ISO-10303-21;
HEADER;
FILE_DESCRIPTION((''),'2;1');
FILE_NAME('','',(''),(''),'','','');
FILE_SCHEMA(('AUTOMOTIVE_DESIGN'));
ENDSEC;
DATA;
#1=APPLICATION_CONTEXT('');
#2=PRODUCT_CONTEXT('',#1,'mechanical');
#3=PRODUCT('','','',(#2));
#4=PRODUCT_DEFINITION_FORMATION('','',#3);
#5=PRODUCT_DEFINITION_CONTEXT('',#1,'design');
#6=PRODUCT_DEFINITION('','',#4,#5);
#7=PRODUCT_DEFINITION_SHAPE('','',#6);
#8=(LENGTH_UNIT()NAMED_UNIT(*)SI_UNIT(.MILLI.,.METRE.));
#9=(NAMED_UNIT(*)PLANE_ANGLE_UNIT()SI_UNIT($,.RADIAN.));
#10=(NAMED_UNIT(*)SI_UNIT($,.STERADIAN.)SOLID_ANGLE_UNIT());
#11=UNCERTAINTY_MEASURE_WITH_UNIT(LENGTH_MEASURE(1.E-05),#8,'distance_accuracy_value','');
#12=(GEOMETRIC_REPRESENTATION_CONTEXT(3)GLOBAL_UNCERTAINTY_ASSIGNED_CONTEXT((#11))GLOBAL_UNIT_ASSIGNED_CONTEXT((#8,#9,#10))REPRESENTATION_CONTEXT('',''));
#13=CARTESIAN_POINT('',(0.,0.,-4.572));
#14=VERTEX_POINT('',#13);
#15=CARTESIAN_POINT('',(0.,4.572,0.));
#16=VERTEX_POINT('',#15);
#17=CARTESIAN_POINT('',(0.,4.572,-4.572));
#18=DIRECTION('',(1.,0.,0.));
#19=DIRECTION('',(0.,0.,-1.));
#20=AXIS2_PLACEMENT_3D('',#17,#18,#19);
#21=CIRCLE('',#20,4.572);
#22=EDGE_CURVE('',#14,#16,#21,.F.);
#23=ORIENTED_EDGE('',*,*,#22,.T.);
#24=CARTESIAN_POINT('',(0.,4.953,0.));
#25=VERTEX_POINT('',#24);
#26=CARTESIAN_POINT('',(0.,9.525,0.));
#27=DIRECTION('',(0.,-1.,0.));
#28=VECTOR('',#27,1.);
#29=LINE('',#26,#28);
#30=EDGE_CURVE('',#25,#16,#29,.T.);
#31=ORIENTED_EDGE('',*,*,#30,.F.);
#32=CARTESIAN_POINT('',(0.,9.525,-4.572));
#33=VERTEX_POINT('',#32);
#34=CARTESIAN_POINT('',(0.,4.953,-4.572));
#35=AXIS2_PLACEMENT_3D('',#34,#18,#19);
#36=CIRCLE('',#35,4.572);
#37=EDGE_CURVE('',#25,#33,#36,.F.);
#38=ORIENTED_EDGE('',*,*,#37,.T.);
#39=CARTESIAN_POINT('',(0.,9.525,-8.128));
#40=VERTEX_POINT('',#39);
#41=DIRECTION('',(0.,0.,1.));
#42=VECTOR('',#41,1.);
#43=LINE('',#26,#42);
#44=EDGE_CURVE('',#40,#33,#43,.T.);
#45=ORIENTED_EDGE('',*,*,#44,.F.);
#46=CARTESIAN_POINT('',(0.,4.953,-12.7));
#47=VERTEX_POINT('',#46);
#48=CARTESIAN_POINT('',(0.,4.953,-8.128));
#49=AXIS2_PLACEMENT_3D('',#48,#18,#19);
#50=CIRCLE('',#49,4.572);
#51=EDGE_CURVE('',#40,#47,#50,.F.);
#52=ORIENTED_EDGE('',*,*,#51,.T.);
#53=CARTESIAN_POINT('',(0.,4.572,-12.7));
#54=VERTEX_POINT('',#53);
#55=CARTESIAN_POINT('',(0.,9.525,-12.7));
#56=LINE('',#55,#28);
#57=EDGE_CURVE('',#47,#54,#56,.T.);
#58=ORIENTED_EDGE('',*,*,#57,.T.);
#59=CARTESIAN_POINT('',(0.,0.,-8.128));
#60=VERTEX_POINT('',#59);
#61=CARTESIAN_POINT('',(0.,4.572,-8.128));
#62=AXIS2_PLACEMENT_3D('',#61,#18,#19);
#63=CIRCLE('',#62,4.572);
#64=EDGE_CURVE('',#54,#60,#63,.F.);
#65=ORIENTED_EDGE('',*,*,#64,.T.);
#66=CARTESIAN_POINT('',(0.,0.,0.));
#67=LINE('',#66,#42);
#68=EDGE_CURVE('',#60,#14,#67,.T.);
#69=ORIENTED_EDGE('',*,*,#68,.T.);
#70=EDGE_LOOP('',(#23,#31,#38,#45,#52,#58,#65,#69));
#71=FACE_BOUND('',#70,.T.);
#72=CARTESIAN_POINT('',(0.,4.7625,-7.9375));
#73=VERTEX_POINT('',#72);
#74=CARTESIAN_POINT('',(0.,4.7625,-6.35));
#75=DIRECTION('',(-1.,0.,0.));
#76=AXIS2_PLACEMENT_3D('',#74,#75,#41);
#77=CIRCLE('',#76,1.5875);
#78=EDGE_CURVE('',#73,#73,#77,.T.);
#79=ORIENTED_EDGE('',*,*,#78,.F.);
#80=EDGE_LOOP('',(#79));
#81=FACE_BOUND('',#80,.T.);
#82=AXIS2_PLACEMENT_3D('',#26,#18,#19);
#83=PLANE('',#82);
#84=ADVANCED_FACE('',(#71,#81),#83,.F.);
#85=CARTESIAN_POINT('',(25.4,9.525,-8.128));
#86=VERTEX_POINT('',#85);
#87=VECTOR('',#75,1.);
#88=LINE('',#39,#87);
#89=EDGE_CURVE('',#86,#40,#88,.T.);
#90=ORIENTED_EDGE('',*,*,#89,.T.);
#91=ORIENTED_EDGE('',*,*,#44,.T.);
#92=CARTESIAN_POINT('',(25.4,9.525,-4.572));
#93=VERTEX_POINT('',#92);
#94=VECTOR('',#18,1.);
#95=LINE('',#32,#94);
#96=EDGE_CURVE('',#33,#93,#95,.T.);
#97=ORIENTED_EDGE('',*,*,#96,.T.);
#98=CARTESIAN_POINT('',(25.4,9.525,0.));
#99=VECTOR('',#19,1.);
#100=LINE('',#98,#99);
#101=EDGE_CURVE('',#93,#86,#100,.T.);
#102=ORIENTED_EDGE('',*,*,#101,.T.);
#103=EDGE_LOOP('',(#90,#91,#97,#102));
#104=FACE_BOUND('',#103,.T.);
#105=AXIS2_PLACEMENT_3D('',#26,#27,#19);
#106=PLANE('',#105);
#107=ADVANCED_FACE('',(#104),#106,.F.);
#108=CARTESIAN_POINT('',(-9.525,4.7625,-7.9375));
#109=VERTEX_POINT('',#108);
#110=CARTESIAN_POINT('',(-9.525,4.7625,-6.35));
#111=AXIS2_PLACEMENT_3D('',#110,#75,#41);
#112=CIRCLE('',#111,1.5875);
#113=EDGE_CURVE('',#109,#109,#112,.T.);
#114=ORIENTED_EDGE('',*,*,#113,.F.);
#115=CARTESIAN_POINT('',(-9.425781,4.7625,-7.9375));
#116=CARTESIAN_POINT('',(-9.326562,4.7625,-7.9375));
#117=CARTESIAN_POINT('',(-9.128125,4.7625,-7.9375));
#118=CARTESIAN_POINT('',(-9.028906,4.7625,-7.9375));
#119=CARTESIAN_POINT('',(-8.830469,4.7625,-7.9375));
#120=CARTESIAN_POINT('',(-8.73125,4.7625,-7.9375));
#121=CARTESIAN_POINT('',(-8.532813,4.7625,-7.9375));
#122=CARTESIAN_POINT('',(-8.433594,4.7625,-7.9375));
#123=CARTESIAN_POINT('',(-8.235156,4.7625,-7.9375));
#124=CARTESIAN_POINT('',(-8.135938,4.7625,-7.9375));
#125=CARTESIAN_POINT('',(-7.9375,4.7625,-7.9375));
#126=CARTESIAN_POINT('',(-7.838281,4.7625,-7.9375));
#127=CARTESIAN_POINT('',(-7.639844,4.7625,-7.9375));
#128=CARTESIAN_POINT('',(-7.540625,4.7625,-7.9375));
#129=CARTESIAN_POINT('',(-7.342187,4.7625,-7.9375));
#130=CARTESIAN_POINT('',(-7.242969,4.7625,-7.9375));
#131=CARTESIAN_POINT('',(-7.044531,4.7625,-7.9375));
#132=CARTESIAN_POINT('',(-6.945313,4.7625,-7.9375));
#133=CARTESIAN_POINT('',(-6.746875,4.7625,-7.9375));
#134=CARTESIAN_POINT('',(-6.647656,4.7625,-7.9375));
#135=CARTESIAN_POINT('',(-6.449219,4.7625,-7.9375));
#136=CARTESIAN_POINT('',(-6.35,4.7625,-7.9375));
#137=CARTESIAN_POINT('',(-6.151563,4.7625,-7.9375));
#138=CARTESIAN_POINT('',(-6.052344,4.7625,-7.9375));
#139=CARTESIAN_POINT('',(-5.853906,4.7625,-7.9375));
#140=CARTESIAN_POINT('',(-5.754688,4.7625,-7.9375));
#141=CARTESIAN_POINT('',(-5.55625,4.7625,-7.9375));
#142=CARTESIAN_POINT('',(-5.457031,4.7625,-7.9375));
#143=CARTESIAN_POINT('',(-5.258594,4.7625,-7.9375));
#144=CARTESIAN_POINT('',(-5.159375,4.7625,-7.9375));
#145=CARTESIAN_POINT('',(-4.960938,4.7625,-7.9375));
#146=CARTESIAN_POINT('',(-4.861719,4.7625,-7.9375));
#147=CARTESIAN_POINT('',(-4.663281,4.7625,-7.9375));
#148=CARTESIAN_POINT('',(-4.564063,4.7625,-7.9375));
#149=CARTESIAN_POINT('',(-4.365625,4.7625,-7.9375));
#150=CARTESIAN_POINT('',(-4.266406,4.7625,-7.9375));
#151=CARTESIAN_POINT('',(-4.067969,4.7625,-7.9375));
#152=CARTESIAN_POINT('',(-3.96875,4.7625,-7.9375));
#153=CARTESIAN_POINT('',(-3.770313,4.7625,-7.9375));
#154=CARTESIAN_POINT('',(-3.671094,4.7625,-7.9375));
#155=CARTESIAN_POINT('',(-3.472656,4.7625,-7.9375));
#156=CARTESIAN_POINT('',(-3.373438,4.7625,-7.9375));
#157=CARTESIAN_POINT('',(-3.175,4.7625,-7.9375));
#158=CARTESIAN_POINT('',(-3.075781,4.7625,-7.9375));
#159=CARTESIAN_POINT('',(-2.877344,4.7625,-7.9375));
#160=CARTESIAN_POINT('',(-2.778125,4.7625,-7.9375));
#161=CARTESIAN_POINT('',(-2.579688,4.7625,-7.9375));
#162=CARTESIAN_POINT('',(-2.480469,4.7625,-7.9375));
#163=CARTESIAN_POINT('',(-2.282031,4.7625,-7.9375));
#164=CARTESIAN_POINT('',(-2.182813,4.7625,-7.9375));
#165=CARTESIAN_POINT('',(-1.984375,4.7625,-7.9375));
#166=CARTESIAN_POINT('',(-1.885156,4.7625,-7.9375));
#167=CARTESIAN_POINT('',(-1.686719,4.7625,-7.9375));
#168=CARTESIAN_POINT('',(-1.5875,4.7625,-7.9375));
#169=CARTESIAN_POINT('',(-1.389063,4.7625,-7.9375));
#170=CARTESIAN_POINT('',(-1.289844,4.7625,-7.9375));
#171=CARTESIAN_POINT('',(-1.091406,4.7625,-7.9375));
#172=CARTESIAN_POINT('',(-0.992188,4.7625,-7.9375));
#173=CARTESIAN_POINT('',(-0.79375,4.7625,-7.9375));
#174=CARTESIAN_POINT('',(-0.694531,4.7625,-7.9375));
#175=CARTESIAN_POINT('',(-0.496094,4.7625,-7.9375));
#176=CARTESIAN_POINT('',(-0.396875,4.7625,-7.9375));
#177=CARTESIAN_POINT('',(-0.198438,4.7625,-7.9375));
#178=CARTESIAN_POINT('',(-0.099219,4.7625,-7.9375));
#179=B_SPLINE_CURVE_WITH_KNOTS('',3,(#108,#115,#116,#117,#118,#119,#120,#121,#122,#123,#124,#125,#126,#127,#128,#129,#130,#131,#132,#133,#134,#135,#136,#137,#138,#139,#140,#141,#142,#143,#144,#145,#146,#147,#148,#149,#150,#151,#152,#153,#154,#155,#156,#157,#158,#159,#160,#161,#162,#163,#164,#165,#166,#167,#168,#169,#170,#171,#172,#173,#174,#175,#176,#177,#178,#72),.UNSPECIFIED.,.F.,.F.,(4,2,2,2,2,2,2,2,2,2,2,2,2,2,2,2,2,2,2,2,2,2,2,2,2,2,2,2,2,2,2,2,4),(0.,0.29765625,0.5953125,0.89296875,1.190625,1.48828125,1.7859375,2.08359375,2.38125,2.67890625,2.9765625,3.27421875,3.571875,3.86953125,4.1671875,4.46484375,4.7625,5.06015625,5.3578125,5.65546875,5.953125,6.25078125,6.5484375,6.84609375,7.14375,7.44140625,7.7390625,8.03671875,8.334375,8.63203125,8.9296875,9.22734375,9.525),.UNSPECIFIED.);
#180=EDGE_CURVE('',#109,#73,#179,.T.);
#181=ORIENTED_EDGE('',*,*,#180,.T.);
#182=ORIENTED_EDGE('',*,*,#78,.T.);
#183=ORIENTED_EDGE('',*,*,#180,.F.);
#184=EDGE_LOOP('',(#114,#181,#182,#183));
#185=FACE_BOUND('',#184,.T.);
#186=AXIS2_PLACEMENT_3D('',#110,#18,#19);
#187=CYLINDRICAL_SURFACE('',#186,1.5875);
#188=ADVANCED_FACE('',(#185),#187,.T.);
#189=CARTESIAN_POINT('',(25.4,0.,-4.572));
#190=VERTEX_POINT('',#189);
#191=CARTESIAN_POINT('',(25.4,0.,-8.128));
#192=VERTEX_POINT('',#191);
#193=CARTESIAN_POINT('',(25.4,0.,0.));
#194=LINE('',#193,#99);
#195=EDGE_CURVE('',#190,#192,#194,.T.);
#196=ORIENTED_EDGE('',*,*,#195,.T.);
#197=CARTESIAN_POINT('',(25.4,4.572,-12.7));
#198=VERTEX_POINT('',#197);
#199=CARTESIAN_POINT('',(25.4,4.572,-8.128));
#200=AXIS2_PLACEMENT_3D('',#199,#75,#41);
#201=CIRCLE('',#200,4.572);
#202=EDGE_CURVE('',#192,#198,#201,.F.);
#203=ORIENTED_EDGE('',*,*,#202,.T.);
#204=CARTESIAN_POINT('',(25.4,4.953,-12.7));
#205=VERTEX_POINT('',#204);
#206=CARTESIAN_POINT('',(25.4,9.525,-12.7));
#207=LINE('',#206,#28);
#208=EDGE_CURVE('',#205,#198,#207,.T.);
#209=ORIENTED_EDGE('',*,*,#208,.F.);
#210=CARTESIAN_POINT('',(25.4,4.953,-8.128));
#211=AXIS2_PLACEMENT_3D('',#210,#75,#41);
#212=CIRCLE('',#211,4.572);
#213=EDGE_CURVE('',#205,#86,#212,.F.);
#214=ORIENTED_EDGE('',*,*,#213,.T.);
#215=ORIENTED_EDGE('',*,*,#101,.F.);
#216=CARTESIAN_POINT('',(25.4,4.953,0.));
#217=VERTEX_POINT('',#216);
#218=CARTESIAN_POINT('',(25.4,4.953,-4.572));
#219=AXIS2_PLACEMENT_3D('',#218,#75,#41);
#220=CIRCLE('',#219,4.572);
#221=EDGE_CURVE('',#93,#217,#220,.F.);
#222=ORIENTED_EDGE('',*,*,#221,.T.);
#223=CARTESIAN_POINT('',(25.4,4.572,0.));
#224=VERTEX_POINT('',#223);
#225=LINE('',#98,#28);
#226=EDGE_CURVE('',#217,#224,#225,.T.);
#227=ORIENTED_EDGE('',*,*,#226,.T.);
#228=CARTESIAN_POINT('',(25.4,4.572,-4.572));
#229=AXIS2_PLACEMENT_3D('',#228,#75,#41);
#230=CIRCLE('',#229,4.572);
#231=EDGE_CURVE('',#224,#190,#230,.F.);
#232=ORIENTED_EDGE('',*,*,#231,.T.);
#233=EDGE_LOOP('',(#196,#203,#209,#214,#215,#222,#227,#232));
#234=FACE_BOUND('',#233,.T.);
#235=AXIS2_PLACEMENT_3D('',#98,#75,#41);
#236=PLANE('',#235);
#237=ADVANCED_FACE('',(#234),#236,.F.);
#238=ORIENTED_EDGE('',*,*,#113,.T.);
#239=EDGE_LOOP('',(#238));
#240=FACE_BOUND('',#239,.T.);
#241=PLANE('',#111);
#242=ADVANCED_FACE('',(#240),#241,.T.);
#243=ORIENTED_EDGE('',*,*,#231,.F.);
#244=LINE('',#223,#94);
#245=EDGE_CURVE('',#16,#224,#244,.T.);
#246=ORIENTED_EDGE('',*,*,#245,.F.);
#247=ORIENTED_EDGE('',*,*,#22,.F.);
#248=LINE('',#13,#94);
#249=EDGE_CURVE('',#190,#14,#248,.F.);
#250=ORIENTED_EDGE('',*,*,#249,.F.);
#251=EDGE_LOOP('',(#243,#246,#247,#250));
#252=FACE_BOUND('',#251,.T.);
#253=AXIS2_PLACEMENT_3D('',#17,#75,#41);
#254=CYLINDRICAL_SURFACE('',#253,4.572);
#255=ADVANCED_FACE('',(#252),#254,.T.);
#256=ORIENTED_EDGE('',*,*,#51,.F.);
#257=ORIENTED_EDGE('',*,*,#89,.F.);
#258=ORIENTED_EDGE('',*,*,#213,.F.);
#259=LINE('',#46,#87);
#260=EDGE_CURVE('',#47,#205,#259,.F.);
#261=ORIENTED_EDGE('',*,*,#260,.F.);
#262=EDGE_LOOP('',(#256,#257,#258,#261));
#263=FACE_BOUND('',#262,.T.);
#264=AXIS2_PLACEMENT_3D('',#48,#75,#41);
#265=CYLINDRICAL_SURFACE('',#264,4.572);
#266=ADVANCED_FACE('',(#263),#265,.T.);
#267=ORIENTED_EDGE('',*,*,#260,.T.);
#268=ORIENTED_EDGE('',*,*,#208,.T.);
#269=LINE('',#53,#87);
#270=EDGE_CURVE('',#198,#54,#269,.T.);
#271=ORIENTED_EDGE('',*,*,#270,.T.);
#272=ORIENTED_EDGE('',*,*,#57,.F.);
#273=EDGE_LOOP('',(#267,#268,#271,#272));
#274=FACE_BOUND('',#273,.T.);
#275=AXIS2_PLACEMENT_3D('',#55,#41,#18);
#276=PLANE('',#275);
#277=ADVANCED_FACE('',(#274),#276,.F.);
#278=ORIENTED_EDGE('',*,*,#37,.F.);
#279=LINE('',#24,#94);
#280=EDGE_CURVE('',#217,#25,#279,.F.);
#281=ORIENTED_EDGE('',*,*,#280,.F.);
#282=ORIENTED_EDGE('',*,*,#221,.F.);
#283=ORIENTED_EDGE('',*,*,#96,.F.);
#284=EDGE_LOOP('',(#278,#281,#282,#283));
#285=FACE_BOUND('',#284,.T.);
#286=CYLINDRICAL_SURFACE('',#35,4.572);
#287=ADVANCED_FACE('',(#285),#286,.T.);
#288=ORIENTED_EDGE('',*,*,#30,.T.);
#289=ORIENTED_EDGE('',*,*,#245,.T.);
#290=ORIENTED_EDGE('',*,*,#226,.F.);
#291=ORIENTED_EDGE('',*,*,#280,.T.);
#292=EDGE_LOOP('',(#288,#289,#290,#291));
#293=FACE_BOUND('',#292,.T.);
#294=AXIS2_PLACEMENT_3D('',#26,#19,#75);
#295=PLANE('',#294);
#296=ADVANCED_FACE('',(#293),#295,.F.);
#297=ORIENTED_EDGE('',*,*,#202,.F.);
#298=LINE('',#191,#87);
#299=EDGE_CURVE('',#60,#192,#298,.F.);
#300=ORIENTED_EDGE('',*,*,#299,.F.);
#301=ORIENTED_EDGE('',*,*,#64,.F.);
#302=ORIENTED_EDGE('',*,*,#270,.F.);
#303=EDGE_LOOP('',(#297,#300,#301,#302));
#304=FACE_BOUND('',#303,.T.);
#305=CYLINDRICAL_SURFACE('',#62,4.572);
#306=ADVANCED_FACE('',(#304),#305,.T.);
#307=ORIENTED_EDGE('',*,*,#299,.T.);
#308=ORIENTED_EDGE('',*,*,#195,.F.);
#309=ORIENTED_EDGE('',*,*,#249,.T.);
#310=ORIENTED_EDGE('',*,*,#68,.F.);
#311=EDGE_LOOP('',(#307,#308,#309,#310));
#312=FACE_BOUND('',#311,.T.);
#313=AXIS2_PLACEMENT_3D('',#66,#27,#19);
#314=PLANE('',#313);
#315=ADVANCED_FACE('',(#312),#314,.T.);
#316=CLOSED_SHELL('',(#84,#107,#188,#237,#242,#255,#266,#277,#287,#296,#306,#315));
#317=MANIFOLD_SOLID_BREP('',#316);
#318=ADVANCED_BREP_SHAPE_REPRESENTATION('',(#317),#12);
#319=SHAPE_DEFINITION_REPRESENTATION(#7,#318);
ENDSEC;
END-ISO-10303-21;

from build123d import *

# Parameters (mm, degrees)
SKETCH1_W           = 25.4
SKETCH1_H           = 12.7
BOSS_EXTRUDE1_DEPTH = 9.525
SKETCH2_R           = 1.5875
BOSS_EXTRUDE2_DEPTH = 9.525
FILLET1_R           = 4.572


with BuildPart() as part:
    # Sketch1 → Boss-Extrude1 (new body)
    with BuildSketch(Plane(origin=(0, 0, 0), x_dir=(1, 0, 0), z_dir=(0, 1, 0))):
        with Locations((12.7, 6.35)):
            Rectangle(SKETCH1_W, SKETCH1_H)
    extrude(amount=BOSS_EXTRUDE1_DEPTH)

    # Sketch2 → Boss-Extrude2 (add)
    with BuildSketch(Plane.ZY):
        with Locations(Location((-6.35, 4.7625, 0), (0, 0, 180))):
            Circle(SKETCH2_R)
    extrude(amount=BOSS_EXTRUDE2_DEPTH)

    # Fillet1
    fillet1_edges = [part.edges().sort_by_distance(p)[0] for p in [
        (12.7, 9.525, -12.7),
        (12.7, 0, -12.7),
        (12.7, 0, 0),
        (12.7, 9.525, 0),
    ]]
    fillet(fillet1_edges, radius=FILLET1_R)


solid = part.part
